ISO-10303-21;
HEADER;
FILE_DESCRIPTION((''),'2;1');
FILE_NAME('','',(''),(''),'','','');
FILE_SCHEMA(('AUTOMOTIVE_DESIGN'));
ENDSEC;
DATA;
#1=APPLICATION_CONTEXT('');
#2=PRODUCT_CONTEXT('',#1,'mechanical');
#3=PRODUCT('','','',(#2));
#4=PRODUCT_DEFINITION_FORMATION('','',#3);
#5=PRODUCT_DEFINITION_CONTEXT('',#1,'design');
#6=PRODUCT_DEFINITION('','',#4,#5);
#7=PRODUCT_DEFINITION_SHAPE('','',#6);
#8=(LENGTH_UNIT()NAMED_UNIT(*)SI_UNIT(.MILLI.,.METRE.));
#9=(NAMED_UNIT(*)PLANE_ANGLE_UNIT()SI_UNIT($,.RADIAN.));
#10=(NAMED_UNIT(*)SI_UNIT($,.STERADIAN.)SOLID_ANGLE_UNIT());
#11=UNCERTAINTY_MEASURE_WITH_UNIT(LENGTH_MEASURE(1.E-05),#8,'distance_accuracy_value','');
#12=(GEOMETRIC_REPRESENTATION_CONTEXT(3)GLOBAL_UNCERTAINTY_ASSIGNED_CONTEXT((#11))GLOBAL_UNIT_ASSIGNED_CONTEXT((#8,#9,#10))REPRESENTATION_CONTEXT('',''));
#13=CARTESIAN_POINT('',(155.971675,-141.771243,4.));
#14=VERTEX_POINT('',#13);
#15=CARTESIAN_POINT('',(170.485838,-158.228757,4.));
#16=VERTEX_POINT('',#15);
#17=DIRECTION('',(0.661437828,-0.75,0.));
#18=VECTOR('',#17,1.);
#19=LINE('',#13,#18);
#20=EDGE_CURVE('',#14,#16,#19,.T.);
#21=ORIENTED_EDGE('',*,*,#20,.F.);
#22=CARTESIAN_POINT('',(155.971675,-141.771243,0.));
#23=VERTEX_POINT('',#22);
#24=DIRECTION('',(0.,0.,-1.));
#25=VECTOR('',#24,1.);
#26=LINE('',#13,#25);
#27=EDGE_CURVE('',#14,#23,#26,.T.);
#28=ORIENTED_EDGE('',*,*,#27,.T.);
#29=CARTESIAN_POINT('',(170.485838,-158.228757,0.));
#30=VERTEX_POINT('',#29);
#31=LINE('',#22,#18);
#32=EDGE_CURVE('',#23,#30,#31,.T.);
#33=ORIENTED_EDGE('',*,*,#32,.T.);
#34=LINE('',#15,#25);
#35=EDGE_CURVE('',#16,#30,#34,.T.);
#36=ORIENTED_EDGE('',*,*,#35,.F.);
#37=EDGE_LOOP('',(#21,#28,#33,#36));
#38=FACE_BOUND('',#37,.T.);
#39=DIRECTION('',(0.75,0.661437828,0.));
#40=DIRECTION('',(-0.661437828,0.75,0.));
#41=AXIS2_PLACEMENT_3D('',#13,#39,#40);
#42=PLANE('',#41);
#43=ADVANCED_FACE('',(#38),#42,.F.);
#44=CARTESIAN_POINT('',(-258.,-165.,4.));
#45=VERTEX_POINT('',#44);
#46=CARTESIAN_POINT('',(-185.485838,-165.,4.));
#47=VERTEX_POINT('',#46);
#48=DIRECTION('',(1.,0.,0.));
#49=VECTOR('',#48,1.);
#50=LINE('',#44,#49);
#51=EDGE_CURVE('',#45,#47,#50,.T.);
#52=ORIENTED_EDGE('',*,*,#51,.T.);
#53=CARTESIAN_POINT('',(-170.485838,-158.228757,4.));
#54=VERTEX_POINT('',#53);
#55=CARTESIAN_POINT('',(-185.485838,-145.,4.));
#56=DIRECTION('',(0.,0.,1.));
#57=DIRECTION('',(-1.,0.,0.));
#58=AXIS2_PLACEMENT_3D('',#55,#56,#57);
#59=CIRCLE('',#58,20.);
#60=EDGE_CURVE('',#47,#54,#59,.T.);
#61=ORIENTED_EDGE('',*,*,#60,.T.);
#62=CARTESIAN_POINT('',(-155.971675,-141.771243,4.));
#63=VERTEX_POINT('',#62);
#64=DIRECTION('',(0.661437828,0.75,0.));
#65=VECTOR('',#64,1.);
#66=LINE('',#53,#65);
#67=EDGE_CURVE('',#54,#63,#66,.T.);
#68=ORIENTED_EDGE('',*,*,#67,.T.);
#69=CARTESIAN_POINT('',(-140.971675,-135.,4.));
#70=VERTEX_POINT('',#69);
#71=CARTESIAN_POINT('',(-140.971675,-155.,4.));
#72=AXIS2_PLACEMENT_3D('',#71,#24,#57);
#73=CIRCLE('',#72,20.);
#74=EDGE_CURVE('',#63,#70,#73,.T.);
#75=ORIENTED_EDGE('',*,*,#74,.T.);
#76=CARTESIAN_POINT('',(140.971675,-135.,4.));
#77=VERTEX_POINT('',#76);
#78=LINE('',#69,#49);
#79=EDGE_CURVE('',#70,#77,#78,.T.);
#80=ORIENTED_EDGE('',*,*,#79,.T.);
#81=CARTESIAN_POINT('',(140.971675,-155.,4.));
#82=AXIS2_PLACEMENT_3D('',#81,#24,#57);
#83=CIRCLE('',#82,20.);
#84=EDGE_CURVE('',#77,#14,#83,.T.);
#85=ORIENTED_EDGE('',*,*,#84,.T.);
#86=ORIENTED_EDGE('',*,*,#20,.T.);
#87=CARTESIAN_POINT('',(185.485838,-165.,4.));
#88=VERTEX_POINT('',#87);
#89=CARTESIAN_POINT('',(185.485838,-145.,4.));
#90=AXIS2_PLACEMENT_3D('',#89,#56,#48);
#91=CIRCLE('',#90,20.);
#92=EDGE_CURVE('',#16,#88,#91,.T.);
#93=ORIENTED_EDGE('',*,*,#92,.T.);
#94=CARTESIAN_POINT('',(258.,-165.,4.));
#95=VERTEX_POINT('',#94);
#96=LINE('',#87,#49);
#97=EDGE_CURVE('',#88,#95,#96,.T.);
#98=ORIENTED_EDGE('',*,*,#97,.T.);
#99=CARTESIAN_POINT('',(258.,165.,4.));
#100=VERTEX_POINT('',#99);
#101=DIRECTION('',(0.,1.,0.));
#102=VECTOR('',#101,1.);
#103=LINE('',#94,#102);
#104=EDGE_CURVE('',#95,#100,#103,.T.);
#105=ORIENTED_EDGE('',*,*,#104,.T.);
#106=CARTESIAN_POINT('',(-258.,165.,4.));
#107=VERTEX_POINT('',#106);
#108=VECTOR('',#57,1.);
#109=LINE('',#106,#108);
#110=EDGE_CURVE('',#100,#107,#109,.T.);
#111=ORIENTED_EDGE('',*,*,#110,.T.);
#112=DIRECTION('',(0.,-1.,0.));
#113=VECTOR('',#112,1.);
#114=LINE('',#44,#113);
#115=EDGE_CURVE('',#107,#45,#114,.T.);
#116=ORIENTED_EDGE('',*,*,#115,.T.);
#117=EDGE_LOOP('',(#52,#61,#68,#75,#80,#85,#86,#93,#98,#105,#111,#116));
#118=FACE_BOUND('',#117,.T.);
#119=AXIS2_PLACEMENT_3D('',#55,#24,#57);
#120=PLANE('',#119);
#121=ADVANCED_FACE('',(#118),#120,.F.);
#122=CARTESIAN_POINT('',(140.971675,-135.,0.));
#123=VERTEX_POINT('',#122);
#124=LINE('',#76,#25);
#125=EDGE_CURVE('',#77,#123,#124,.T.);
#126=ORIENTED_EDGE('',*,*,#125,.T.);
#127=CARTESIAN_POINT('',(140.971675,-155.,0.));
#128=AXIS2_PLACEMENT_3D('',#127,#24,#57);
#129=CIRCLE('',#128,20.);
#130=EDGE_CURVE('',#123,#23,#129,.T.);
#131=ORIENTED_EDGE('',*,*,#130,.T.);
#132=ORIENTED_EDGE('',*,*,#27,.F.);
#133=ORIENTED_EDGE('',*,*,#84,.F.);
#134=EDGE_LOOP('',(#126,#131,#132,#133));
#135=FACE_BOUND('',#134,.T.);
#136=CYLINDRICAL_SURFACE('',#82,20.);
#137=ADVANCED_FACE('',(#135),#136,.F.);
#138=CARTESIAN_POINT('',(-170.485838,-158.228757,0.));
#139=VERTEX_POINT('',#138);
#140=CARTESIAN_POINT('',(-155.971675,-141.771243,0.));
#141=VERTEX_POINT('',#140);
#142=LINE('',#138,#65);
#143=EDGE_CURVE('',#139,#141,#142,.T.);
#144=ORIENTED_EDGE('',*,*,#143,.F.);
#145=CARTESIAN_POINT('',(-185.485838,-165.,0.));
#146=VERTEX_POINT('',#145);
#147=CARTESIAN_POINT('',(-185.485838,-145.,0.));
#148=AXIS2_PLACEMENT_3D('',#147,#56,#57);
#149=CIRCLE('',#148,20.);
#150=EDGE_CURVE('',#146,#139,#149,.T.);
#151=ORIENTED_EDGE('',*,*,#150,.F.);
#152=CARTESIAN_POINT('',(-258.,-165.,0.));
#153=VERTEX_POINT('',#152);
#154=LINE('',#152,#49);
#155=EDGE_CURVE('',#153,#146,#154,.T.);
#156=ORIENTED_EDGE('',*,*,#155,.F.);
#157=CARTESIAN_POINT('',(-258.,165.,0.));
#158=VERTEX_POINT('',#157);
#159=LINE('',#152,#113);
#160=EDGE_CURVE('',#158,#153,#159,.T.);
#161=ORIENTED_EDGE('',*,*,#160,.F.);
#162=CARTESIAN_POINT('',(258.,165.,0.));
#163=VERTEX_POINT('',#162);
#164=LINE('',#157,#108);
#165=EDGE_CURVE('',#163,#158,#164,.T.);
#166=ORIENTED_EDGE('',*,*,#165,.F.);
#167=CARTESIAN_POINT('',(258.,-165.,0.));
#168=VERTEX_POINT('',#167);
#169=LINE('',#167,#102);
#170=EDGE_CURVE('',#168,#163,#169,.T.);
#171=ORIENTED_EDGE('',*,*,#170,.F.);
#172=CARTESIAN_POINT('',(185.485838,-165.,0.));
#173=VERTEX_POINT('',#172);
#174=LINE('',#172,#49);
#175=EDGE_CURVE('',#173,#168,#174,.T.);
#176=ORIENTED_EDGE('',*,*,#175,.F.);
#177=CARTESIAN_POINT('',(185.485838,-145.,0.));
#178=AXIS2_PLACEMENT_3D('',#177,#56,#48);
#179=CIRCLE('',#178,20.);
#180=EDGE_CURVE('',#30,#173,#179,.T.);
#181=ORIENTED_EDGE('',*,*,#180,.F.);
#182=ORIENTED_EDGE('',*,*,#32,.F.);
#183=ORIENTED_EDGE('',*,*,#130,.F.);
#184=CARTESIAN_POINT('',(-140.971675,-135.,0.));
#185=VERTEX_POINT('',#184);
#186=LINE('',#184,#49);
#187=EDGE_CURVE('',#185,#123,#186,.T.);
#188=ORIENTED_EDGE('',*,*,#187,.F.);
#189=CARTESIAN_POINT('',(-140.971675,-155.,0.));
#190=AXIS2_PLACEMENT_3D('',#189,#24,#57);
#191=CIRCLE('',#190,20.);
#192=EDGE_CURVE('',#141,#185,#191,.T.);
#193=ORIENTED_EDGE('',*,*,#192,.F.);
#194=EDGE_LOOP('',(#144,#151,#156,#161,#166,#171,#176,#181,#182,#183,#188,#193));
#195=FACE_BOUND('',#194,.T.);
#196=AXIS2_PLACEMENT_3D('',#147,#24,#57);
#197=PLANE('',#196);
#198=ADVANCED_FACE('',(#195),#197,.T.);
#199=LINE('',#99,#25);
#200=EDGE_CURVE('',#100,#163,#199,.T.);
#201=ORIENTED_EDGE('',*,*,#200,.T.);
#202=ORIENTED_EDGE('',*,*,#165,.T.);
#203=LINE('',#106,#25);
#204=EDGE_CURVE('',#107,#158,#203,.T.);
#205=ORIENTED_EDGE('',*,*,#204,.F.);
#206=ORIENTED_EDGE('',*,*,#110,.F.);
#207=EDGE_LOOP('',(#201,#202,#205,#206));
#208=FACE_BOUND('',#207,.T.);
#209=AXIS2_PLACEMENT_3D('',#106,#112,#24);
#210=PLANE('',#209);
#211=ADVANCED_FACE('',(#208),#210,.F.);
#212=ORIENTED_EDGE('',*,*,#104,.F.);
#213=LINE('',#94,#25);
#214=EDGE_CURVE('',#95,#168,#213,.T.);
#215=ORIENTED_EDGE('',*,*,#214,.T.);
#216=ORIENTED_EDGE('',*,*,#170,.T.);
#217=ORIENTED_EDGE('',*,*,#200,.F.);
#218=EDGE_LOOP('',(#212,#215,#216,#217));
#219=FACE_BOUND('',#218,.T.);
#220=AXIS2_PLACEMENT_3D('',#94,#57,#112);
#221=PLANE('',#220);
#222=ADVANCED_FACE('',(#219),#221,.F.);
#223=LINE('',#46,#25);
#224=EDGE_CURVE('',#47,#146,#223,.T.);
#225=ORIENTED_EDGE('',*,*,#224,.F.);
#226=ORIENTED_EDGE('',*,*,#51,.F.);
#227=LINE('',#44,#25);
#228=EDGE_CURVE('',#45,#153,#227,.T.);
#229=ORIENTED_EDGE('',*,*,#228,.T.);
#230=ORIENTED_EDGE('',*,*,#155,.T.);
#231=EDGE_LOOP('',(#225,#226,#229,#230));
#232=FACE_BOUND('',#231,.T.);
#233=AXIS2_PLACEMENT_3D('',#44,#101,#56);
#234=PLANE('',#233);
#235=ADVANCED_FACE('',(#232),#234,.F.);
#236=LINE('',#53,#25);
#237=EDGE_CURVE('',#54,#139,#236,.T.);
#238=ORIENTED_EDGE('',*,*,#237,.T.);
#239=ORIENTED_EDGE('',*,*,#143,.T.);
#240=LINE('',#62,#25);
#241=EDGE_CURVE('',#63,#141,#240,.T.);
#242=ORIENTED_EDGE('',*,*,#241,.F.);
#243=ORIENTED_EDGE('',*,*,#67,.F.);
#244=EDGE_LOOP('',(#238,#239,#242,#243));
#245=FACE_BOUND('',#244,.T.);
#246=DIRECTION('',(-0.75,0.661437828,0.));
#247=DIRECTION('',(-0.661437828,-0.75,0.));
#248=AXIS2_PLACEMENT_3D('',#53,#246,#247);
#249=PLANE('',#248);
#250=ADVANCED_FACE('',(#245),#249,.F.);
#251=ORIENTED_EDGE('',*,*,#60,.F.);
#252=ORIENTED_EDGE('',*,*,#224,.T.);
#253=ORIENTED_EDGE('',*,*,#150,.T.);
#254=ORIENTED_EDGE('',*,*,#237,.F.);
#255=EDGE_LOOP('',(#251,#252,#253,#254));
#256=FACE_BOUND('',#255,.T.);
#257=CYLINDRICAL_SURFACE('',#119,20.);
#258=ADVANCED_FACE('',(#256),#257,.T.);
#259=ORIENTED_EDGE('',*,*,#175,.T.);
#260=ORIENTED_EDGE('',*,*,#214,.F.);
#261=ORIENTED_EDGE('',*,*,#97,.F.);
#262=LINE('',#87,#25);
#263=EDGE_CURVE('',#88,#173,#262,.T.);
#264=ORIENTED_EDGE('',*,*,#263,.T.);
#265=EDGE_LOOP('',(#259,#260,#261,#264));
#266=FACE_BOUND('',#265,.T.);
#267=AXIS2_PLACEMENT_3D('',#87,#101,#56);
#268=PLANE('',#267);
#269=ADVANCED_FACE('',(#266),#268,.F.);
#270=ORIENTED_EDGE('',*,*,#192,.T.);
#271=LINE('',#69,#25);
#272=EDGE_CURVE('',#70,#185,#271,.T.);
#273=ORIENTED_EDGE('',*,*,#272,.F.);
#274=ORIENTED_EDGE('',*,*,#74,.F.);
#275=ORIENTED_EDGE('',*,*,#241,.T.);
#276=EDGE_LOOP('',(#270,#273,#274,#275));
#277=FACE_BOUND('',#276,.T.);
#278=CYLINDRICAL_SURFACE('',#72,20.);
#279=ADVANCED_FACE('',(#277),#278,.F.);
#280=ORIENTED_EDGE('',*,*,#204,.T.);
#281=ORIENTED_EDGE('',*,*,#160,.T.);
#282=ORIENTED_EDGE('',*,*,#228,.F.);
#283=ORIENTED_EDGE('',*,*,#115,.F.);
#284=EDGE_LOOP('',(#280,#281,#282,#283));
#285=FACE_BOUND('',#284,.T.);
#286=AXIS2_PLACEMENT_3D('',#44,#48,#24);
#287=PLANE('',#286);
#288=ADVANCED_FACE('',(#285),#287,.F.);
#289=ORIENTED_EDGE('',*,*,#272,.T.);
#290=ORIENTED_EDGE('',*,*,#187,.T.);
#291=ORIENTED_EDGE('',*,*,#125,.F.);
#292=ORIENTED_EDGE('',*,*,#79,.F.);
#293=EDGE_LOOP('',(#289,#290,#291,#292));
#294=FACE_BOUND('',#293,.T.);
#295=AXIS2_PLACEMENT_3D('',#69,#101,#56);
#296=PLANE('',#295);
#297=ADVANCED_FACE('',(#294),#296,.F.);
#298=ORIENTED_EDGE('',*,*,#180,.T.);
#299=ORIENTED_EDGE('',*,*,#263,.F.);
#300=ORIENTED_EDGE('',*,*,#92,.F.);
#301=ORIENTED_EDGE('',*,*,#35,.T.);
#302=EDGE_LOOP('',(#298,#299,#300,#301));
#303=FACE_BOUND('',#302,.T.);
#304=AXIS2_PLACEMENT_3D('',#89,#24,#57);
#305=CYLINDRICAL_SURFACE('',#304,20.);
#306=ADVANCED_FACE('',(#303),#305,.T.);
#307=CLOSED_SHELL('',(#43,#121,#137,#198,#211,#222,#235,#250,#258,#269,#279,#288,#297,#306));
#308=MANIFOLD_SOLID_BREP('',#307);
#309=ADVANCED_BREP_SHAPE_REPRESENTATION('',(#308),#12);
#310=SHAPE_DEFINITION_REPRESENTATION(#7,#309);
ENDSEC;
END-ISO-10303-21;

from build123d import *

# Parameters (mm, degrees)
BOSS_EXTRUDE1_DEPTH = 4


with BuildPart() as part:
    # Sketch1 → Boss-Extrude1 (new body)
    with BuildSketch(Plane.XY):
        with BuildLine():
            Line((-170.485837704, -158.228756555), (-155.971675407, -141.771243445))
            ThreePointArc((-155.971675407, -141.771243445), (-149.200431962, -136.771243445), (-140.971675407, -135))
            Line((-140.971675407, -135), (140.971675407, -135))
            ThreePointArc((140.971675407, -135), (149.200431962, -136.771243445), (155.971675407, -141.771243445))
            Line((155.971675407, -141.771243445), (170.485837704, -158.228756555))
            ThreePointArc((170.485837704, -158.228756555), (177.257081148, -163.228756555), (185.485837704, -165))
            Line((185.485837704, -165), (258, -165))
            Line((258, -165), (258, 165))
            Line((258, 165), (-258, 165))
            Line((-258, 165), (-258, -165))
            Line((-258, -165), (-185.485837704, -165))
            ThreePointArc((-185.485837704, -165), (-177.257081148, -163.228756555), (-170.485837704, -158.228756555))
        make_face()
    extrude(amount=BOSS_EXTRUDE1_DEPTH)


solid = part.part
